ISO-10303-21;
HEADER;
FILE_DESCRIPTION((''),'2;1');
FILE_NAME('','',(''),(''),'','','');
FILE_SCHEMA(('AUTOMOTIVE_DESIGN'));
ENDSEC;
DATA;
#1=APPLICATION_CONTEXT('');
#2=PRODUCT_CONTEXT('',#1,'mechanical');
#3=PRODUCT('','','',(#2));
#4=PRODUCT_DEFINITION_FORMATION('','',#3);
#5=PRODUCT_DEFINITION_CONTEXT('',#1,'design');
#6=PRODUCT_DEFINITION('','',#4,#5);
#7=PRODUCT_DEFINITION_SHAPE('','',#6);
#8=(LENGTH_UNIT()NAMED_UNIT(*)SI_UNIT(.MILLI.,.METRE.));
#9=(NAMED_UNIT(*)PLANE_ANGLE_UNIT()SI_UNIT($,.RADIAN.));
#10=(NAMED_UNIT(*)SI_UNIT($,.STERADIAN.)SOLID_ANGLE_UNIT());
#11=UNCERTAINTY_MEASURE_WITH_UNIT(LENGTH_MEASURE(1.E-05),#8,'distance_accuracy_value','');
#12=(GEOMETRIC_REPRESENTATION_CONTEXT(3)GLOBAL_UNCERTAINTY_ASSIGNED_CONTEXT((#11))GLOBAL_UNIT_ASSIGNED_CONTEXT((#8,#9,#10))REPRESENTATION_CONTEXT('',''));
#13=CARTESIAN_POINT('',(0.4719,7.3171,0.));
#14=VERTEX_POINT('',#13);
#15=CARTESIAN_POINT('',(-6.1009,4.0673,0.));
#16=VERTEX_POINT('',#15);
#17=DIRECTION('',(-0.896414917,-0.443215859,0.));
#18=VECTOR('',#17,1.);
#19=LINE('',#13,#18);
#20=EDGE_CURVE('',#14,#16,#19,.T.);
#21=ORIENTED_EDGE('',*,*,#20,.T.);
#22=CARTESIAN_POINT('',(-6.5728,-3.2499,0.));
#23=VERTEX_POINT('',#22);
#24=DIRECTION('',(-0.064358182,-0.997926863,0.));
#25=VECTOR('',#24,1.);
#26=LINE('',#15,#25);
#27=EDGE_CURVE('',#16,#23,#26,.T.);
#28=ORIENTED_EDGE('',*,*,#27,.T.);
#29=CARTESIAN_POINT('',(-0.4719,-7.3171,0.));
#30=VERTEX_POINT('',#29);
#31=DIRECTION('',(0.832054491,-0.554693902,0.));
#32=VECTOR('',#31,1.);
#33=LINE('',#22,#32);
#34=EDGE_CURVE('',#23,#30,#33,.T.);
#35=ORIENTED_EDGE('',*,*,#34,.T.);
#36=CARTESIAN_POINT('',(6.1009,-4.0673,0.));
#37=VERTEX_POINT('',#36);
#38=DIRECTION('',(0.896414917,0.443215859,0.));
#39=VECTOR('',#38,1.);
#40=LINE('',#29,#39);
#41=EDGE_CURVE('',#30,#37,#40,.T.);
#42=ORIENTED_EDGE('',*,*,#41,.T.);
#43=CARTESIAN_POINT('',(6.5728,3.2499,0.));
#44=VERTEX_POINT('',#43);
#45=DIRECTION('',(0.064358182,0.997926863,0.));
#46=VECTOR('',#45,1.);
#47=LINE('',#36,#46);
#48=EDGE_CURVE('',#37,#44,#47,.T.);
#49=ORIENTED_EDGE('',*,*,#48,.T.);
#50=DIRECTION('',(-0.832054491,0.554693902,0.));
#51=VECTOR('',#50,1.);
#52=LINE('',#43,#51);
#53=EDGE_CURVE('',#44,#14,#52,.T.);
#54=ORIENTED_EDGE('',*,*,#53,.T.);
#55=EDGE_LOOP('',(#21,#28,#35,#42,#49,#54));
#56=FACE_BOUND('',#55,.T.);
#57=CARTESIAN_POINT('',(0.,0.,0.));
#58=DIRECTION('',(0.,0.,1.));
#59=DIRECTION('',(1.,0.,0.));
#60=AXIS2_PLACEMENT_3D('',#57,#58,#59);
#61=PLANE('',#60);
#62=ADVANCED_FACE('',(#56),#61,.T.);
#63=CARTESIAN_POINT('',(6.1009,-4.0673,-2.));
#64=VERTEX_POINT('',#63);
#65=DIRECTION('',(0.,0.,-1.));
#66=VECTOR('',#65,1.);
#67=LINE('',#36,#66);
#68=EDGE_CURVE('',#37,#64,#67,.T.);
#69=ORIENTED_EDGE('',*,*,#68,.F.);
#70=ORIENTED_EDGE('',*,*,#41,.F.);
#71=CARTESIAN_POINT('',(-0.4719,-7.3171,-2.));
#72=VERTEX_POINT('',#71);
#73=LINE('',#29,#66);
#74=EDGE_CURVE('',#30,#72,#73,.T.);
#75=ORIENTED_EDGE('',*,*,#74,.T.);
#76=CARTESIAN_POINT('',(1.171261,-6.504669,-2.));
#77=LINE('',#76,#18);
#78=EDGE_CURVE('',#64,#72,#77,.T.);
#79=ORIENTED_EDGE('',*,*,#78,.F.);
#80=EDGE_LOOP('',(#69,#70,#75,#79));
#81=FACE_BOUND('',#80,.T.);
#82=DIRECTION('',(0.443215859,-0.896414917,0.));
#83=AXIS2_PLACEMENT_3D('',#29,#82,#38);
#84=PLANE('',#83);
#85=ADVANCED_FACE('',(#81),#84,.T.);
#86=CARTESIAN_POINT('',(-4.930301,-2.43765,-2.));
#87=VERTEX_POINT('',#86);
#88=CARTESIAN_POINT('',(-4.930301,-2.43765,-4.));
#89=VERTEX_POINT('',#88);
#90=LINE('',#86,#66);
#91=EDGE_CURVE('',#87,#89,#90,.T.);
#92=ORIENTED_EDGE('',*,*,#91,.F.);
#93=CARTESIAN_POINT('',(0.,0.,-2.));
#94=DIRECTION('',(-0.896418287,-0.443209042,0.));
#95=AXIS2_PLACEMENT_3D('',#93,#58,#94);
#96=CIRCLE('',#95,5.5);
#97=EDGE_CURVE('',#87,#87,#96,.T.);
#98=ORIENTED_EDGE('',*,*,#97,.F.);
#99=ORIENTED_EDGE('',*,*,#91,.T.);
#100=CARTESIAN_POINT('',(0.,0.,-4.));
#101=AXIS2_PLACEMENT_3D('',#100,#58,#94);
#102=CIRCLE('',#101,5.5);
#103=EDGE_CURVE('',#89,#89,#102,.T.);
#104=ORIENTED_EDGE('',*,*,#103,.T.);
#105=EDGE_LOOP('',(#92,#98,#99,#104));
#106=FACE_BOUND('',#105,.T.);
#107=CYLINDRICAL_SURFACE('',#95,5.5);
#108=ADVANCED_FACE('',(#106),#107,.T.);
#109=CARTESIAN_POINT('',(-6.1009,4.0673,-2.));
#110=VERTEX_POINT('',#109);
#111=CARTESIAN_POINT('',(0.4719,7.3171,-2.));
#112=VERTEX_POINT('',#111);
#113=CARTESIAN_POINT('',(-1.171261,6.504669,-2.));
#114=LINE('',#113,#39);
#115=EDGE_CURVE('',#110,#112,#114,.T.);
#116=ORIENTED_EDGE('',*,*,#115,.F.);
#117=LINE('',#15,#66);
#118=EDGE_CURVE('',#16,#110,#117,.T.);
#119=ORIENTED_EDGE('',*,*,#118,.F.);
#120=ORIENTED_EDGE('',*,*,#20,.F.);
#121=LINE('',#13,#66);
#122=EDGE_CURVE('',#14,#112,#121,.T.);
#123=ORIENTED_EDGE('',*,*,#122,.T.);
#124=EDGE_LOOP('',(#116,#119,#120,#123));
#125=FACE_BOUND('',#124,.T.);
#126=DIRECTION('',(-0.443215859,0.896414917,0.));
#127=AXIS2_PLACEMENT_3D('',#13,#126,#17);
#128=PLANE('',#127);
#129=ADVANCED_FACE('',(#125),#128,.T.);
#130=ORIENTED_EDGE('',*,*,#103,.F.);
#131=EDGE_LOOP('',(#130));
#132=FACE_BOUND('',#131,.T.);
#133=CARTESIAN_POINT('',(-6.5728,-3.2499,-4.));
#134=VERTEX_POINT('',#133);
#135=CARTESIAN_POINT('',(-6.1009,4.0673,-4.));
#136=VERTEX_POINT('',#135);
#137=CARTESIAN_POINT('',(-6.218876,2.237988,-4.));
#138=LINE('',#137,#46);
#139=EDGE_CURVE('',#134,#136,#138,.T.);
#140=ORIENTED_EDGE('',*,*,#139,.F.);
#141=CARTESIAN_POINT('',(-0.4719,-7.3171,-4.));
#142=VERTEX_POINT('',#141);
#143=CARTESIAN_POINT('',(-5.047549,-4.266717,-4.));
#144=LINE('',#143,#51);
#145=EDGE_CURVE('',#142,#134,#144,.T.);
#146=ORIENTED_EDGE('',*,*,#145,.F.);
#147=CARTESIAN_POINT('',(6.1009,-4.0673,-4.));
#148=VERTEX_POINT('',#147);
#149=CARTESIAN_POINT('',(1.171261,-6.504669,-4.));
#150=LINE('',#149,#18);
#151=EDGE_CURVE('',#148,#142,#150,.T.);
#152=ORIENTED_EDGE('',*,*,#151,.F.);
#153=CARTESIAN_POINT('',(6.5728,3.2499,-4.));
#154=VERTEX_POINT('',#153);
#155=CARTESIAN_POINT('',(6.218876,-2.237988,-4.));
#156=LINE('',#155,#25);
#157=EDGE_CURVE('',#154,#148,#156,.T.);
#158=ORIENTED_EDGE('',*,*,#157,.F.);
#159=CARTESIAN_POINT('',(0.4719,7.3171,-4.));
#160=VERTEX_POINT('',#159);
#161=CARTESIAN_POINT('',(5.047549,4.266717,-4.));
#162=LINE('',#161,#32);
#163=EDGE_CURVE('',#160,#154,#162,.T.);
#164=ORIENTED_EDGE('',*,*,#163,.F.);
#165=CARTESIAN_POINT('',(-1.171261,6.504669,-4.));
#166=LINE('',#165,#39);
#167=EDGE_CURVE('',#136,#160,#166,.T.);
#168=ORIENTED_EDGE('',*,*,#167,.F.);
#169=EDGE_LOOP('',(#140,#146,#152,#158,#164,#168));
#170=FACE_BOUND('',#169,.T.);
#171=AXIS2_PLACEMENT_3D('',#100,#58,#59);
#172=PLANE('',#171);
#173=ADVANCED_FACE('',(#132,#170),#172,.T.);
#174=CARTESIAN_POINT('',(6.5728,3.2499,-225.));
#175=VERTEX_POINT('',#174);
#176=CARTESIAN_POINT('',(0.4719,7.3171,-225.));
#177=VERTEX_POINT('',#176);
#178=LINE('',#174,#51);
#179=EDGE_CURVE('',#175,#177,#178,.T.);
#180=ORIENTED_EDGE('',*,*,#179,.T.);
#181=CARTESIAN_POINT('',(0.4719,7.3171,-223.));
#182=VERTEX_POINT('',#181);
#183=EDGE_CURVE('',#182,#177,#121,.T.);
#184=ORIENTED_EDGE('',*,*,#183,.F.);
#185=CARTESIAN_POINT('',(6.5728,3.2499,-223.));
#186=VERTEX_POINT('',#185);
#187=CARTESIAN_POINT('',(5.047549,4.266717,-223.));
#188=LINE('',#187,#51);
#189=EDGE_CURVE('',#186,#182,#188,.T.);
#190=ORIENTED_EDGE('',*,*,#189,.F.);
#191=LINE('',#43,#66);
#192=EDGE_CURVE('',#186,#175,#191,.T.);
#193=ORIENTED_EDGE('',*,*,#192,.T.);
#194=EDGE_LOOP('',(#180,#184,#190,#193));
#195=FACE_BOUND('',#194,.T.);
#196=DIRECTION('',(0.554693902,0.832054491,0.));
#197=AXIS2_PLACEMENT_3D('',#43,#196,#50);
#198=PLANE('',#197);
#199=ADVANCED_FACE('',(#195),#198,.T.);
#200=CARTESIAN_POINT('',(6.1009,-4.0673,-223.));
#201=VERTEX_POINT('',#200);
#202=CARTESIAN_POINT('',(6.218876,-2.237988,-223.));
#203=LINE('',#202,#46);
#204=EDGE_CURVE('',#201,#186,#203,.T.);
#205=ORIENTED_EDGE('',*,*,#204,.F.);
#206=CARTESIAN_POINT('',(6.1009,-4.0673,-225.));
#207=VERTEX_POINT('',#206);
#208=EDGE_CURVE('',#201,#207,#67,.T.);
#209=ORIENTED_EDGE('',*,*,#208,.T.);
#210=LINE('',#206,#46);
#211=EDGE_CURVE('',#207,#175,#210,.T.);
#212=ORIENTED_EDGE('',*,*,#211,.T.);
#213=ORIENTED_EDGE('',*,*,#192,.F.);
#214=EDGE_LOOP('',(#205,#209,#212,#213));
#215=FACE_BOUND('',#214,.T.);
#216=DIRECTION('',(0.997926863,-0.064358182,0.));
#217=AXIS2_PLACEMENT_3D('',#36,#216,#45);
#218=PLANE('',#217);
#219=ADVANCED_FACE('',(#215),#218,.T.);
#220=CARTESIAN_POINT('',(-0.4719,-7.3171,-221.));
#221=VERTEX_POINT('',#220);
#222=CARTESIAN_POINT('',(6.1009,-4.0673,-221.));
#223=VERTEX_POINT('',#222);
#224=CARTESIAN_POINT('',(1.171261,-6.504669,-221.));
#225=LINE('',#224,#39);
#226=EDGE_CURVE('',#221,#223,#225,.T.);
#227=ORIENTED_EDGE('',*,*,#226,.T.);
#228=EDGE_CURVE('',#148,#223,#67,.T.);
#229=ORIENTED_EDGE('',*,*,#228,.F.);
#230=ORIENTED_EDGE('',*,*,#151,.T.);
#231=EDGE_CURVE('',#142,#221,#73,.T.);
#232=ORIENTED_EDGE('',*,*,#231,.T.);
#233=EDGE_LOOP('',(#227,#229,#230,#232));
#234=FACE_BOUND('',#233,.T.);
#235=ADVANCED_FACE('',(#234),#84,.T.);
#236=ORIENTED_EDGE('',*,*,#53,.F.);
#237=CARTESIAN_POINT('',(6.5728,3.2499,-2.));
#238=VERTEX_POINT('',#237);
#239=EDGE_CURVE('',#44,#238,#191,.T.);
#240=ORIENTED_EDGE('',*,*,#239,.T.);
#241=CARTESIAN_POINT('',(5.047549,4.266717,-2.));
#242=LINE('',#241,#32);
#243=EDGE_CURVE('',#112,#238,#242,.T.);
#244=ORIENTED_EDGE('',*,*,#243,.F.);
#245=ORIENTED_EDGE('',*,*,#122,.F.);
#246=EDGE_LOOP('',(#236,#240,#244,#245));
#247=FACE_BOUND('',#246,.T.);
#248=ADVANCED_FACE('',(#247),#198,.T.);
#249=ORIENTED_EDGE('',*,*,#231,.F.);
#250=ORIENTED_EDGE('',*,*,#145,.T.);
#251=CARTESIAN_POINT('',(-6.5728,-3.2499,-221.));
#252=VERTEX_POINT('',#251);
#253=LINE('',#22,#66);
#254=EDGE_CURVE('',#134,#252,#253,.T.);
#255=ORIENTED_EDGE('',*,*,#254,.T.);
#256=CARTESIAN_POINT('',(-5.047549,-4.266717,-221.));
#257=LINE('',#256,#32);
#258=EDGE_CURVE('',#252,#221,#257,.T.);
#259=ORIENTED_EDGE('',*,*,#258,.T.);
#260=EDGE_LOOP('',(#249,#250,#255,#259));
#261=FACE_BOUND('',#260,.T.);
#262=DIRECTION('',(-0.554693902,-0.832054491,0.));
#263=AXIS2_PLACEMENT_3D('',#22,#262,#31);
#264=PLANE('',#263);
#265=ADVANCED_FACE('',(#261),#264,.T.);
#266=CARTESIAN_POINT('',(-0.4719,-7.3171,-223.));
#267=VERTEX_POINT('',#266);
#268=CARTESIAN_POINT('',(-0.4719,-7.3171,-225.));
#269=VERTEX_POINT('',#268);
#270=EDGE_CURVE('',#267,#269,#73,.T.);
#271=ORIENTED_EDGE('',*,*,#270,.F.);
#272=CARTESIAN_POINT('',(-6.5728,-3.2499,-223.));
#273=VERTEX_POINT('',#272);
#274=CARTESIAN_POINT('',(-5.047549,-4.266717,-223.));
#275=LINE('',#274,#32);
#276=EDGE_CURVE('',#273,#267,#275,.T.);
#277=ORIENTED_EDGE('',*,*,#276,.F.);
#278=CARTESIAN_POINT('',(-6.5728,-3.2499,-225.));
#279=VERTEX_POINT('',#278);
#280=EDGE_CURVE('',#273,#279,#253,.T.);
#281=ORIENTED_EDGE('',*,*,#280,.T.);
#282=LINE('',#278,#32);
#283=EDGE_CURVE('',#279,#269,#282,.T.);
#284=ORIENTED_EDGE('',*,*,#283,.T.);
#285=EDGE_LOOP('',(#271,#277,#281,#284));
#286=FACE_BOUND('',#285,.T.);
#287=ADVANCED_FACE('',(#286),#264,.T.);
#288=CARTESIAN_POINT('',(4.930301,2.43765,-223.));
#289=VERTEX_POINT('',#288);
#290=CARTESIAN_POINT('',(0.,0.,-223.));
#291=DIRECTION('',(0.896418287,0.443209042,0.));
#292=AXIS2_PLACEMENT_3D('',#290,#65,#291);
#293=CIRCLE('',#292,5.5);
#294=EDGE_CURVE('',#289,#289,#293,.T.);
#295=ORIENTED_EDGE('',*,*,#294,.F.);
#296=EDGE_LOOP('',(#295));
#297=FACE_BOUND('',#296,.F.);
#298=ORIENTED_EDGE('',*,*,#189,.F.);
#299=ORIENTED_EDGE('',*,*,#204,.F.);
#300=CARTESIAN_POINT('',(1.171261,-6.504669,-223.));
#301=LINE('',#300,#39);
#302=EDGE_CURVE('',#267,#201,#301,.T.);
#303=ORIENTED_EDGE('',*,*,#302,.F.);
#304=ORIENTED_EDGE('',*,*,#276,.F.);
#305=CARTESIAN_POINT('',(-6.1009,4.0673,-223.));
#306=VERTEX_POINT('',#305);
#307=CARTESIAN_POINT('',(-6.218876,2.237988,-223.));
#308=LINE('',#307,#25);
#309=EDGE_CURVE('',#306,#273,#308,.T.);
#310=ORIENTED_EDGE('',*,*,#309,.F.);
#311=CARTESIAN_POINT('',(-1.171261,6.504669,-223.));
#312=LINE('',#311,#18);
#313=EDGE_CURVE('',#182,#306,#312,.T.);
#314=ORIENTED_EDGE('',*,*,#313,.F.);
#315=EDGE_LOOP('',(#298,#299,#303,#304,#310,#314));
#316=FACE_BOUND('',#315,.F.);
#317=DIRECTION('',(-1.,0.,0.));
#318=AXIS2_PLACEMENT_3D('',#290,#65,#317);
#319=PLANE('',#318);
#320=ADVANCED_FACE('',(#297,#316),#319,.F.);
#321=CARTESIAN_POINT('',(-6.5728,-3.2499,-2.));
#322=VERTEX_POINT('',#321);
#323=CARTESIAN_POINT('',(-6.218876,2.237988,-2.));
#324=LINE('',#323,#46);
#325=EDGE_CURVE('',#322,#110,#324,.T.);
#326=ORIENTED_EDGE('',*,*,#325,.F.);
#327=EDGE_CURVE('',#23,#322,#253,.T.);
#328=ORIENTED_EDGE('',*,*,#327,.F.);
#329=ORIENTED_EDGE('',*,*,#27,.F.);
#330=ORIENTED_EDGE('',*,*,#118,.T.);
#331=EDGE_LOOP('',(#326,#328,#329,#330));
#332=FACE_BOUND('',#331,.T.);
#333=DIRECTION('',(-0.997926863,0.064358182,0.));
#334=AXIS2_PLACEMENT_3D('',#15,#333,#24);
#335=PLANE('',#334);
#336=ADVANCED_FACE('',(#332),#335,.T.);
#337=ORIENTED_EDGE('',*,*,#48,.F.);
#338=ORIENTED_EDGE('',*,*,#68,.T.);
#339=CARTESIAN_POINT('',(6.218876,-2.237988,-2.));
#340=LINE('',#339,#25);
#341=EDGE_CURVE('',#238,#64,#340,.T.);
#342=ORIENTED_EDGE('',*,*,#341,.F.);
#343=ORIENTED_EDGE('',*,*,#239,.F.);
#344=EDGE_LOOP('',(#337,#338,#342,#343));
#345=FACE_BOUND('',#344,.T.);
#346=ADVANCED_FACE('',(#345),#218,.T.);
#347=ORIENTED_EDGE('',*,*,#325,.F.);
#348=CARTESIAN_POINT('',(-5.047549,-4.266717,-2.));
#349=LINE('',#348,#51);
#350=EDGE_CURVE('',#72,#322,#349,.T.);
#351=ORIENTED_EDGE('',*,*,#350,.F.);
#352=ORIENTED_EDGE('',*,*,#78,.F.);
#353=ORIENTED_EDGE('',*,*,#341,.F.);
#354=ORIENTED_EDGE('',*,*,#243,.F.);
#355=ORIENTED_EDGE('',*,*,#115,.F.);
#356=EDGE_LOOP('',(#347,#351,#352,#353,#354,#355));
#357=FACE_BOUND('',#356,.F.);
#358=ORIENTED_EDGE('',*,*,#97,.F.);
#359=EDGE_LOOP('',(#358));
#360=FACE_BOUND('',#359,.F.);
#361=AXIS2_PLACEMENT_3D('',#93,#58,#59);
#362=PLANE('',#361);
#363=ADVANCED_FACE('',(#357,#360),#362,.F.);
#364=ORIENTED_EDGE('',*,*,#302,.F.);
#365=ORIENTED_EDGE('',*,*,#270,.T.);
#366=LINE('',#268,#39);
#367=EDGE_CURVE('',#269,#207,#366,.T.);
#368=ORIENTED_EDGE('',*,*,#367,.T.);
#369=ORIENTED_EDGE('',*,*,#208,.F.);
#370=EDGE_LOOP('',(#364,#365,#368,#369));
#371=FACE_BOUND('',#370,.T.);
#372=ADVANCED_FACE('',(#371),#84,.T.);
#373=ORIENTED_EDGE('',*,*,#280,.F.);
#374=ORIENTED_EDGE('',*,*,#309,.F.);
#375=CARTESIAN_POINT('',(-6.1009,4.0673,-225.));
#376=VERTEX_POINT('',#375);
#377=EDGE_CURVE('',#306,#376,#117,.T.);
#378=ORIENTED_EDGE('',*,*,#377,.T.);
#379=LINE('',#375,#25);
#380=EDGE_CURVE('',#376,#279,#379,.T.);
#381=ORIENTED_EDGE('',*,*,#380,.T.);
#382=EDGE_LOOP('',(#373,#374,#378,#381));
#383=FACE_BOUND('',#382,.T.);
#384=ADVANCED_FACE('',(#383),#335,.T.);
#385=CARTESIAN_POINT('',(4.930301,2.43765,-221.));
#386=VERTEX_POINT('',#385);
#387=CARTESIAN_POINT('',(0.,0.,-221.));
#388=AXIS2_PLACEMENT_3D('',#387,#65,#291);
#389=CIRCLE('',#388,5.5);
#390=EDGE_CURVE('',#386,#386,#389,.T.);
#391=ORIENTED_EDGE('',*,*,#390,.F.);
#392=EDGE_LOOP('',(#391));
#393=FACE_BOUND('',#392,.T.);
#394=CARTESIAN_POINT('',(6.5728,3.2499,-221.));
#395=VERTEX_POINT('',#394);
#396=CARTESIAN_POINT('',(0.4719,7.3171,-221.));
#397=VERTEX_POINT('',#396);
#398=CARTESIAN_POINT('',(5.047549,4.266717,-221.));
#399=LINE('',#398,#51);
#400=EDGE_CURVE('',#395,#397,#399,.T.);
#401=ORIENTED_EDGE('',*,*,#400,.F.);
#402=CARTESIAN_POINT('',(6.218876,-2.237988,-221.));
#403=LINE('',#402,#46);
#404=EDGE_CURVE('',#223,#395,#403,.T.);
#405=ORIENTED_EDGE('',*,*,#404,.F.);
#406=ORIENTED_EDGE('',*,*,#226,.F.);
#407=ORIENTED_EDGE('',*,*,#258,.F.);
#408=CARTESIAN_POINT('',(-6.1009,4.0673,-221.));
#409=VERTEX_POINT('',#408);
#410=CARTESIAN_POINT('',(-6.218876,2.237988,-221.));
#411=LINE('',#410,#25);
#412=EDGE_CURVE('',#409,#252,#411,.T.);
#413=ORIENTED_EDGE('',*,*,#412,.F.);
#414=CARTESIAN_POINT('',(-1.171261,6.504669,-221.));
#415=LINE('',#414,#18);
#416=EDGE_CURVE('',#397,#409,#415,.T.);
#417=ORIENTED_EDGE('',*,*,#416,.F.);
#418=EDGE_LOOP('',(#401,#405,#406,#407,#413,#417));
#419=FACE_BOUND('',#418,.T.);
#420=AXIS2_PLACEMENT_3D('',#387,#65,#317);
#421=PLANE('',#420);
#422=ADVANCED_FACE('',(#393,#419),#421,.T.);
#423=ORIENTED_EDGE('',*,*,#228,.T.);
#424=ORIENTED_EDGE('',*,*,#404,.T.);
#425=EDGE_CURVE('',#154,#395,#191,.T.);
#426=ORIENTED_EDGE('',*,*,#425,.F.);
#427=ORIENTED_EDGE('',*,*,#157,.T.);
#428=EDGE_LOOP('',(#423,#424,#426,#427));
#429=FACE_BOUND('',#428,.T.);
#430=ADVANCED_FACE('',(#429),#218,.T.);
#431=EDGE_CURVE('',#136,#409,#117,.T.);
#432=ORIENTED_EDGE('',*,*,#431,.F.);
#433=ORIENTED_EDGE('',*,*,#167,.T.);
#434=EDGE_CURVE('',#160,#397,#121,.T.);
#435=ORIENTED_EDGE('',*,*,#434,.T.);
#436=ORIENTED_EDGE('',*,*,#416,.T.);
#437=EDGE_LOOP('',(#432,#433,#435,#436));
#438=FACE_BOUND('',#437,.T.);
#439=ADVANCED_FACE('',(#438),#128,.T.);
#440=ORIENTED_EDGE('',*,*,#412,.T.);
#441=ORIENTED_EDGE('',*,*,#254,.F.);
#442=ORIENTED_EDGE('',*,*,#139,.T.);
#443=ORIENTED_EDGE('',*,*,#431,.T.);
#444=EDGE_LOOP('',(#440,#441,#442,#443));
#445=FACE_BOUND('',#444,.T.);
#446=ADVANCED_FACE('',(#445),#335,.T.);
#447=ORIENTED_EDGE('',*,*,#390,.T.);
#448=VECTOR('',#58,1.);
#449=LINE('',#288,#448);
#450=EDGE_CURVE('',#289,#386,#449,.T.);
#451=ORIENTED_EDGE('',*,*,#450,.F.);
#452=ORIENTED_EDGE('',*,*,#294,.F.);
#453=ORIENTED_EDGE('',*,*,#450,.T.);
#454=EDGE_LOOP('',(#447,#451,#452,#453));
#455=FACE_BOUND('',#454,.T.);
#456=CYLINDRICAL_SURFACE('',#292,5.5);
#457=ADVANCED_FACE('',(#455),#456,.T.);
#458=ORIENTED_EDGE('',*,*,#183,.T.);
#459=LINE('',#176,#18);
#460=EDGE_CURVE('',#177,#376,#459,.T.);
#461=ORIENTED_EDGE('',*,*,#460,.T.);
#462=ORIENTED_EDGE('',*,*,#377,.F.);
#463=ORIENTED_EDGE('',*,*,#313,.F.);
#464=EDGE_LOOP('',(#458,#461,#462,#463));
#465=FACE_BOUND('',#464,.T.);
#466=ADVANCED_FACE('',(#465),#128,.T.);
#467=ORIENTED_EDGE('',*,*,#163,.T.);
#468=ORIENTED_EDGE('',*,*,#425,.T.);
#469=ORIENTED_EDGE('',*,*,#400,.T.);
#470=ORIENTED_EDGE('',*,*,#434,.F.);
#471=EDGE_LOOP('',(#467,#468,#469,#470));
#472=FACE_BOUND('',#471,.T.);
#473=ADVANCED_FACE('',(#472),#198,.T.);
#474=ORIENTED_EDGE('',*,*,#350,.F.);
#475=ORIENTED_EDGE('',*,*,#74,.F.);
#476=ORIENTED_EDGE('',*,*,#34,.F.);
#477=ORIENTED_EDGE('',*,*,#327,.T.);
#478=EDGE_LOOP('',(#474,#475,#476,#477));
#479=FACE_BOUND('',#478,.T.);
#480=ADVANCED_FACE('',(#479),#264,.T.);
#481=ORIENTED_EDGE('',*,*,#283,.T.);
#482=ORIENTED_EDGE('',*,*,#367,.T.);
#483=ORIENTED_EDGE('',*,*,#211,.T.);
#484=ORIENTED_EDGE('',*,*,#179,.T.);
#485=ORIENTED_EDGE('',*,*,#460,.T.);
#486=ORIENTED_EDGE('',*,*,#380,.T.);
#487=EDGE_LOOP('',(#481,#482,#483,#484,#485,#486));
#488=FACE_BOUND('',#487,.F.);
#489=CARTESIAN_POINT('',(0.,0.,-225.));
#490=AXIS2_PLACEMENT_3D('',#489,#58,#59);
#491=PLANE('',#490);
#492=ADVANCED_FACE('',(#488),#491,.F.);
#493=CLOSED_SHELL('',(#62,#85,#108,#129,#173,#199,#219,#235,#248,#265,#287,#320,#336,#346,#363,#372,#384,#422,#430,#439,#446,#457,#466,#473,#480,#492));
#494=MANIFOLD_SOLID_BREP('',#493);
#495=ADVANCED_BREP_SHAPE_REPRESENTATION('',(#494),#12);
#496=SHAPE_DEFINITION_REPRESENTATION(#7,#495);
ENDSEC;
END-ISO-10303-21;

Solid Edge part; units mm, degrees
sketch "Sketch1" plane through (0, 0, 0) normal (0, 0, 1) x (1, 0, 0)
  line L0 (-6.1009, 4.0673) -> (-6.5728, -3.2499)
  line L1 (-6.5728, -3.2499) -> (-0.4719, -7.3171)
  line L2 (-0.4719, -7.3171) -> (6.1009, -4.0673)
  line L3 (6.1009, -4.0673) -> (6.5728, 3.2499)
  line L4 (6.5728, 3.2499) -> (0.4719, 7.3171)
  line L5 (0.4719, 7.3171) -> (-6.1009, 4.0673)
extrude "Protrusion1" add sketch "Sketch1" against normal blind 225
sketch "Sketch2" plane through (0, 0, -2) normal (0, 0, 1) x (-0.8964, -0.4432, 0)
  circle A0 centre (0, 0) radius 5.5
  circle A1 centre (0, 0) radius 13.1424
extrude "ExtrudedCutout_1" cut sketch "Sketch2" against normal blind 2
sketch "Sketch3" plane through (0, 0, -223) normal (0, 0, -1) x (0.8964, 0.4432, 0)
  circle A0 centre (0, 0) radius 5.5
  circle A1 centre (0, 0) radius 13.1424
extrude "ExtrudedCutout_2" cut sketch "Sketch3" against normal blind 2
properties part number "BumbleB0197"
